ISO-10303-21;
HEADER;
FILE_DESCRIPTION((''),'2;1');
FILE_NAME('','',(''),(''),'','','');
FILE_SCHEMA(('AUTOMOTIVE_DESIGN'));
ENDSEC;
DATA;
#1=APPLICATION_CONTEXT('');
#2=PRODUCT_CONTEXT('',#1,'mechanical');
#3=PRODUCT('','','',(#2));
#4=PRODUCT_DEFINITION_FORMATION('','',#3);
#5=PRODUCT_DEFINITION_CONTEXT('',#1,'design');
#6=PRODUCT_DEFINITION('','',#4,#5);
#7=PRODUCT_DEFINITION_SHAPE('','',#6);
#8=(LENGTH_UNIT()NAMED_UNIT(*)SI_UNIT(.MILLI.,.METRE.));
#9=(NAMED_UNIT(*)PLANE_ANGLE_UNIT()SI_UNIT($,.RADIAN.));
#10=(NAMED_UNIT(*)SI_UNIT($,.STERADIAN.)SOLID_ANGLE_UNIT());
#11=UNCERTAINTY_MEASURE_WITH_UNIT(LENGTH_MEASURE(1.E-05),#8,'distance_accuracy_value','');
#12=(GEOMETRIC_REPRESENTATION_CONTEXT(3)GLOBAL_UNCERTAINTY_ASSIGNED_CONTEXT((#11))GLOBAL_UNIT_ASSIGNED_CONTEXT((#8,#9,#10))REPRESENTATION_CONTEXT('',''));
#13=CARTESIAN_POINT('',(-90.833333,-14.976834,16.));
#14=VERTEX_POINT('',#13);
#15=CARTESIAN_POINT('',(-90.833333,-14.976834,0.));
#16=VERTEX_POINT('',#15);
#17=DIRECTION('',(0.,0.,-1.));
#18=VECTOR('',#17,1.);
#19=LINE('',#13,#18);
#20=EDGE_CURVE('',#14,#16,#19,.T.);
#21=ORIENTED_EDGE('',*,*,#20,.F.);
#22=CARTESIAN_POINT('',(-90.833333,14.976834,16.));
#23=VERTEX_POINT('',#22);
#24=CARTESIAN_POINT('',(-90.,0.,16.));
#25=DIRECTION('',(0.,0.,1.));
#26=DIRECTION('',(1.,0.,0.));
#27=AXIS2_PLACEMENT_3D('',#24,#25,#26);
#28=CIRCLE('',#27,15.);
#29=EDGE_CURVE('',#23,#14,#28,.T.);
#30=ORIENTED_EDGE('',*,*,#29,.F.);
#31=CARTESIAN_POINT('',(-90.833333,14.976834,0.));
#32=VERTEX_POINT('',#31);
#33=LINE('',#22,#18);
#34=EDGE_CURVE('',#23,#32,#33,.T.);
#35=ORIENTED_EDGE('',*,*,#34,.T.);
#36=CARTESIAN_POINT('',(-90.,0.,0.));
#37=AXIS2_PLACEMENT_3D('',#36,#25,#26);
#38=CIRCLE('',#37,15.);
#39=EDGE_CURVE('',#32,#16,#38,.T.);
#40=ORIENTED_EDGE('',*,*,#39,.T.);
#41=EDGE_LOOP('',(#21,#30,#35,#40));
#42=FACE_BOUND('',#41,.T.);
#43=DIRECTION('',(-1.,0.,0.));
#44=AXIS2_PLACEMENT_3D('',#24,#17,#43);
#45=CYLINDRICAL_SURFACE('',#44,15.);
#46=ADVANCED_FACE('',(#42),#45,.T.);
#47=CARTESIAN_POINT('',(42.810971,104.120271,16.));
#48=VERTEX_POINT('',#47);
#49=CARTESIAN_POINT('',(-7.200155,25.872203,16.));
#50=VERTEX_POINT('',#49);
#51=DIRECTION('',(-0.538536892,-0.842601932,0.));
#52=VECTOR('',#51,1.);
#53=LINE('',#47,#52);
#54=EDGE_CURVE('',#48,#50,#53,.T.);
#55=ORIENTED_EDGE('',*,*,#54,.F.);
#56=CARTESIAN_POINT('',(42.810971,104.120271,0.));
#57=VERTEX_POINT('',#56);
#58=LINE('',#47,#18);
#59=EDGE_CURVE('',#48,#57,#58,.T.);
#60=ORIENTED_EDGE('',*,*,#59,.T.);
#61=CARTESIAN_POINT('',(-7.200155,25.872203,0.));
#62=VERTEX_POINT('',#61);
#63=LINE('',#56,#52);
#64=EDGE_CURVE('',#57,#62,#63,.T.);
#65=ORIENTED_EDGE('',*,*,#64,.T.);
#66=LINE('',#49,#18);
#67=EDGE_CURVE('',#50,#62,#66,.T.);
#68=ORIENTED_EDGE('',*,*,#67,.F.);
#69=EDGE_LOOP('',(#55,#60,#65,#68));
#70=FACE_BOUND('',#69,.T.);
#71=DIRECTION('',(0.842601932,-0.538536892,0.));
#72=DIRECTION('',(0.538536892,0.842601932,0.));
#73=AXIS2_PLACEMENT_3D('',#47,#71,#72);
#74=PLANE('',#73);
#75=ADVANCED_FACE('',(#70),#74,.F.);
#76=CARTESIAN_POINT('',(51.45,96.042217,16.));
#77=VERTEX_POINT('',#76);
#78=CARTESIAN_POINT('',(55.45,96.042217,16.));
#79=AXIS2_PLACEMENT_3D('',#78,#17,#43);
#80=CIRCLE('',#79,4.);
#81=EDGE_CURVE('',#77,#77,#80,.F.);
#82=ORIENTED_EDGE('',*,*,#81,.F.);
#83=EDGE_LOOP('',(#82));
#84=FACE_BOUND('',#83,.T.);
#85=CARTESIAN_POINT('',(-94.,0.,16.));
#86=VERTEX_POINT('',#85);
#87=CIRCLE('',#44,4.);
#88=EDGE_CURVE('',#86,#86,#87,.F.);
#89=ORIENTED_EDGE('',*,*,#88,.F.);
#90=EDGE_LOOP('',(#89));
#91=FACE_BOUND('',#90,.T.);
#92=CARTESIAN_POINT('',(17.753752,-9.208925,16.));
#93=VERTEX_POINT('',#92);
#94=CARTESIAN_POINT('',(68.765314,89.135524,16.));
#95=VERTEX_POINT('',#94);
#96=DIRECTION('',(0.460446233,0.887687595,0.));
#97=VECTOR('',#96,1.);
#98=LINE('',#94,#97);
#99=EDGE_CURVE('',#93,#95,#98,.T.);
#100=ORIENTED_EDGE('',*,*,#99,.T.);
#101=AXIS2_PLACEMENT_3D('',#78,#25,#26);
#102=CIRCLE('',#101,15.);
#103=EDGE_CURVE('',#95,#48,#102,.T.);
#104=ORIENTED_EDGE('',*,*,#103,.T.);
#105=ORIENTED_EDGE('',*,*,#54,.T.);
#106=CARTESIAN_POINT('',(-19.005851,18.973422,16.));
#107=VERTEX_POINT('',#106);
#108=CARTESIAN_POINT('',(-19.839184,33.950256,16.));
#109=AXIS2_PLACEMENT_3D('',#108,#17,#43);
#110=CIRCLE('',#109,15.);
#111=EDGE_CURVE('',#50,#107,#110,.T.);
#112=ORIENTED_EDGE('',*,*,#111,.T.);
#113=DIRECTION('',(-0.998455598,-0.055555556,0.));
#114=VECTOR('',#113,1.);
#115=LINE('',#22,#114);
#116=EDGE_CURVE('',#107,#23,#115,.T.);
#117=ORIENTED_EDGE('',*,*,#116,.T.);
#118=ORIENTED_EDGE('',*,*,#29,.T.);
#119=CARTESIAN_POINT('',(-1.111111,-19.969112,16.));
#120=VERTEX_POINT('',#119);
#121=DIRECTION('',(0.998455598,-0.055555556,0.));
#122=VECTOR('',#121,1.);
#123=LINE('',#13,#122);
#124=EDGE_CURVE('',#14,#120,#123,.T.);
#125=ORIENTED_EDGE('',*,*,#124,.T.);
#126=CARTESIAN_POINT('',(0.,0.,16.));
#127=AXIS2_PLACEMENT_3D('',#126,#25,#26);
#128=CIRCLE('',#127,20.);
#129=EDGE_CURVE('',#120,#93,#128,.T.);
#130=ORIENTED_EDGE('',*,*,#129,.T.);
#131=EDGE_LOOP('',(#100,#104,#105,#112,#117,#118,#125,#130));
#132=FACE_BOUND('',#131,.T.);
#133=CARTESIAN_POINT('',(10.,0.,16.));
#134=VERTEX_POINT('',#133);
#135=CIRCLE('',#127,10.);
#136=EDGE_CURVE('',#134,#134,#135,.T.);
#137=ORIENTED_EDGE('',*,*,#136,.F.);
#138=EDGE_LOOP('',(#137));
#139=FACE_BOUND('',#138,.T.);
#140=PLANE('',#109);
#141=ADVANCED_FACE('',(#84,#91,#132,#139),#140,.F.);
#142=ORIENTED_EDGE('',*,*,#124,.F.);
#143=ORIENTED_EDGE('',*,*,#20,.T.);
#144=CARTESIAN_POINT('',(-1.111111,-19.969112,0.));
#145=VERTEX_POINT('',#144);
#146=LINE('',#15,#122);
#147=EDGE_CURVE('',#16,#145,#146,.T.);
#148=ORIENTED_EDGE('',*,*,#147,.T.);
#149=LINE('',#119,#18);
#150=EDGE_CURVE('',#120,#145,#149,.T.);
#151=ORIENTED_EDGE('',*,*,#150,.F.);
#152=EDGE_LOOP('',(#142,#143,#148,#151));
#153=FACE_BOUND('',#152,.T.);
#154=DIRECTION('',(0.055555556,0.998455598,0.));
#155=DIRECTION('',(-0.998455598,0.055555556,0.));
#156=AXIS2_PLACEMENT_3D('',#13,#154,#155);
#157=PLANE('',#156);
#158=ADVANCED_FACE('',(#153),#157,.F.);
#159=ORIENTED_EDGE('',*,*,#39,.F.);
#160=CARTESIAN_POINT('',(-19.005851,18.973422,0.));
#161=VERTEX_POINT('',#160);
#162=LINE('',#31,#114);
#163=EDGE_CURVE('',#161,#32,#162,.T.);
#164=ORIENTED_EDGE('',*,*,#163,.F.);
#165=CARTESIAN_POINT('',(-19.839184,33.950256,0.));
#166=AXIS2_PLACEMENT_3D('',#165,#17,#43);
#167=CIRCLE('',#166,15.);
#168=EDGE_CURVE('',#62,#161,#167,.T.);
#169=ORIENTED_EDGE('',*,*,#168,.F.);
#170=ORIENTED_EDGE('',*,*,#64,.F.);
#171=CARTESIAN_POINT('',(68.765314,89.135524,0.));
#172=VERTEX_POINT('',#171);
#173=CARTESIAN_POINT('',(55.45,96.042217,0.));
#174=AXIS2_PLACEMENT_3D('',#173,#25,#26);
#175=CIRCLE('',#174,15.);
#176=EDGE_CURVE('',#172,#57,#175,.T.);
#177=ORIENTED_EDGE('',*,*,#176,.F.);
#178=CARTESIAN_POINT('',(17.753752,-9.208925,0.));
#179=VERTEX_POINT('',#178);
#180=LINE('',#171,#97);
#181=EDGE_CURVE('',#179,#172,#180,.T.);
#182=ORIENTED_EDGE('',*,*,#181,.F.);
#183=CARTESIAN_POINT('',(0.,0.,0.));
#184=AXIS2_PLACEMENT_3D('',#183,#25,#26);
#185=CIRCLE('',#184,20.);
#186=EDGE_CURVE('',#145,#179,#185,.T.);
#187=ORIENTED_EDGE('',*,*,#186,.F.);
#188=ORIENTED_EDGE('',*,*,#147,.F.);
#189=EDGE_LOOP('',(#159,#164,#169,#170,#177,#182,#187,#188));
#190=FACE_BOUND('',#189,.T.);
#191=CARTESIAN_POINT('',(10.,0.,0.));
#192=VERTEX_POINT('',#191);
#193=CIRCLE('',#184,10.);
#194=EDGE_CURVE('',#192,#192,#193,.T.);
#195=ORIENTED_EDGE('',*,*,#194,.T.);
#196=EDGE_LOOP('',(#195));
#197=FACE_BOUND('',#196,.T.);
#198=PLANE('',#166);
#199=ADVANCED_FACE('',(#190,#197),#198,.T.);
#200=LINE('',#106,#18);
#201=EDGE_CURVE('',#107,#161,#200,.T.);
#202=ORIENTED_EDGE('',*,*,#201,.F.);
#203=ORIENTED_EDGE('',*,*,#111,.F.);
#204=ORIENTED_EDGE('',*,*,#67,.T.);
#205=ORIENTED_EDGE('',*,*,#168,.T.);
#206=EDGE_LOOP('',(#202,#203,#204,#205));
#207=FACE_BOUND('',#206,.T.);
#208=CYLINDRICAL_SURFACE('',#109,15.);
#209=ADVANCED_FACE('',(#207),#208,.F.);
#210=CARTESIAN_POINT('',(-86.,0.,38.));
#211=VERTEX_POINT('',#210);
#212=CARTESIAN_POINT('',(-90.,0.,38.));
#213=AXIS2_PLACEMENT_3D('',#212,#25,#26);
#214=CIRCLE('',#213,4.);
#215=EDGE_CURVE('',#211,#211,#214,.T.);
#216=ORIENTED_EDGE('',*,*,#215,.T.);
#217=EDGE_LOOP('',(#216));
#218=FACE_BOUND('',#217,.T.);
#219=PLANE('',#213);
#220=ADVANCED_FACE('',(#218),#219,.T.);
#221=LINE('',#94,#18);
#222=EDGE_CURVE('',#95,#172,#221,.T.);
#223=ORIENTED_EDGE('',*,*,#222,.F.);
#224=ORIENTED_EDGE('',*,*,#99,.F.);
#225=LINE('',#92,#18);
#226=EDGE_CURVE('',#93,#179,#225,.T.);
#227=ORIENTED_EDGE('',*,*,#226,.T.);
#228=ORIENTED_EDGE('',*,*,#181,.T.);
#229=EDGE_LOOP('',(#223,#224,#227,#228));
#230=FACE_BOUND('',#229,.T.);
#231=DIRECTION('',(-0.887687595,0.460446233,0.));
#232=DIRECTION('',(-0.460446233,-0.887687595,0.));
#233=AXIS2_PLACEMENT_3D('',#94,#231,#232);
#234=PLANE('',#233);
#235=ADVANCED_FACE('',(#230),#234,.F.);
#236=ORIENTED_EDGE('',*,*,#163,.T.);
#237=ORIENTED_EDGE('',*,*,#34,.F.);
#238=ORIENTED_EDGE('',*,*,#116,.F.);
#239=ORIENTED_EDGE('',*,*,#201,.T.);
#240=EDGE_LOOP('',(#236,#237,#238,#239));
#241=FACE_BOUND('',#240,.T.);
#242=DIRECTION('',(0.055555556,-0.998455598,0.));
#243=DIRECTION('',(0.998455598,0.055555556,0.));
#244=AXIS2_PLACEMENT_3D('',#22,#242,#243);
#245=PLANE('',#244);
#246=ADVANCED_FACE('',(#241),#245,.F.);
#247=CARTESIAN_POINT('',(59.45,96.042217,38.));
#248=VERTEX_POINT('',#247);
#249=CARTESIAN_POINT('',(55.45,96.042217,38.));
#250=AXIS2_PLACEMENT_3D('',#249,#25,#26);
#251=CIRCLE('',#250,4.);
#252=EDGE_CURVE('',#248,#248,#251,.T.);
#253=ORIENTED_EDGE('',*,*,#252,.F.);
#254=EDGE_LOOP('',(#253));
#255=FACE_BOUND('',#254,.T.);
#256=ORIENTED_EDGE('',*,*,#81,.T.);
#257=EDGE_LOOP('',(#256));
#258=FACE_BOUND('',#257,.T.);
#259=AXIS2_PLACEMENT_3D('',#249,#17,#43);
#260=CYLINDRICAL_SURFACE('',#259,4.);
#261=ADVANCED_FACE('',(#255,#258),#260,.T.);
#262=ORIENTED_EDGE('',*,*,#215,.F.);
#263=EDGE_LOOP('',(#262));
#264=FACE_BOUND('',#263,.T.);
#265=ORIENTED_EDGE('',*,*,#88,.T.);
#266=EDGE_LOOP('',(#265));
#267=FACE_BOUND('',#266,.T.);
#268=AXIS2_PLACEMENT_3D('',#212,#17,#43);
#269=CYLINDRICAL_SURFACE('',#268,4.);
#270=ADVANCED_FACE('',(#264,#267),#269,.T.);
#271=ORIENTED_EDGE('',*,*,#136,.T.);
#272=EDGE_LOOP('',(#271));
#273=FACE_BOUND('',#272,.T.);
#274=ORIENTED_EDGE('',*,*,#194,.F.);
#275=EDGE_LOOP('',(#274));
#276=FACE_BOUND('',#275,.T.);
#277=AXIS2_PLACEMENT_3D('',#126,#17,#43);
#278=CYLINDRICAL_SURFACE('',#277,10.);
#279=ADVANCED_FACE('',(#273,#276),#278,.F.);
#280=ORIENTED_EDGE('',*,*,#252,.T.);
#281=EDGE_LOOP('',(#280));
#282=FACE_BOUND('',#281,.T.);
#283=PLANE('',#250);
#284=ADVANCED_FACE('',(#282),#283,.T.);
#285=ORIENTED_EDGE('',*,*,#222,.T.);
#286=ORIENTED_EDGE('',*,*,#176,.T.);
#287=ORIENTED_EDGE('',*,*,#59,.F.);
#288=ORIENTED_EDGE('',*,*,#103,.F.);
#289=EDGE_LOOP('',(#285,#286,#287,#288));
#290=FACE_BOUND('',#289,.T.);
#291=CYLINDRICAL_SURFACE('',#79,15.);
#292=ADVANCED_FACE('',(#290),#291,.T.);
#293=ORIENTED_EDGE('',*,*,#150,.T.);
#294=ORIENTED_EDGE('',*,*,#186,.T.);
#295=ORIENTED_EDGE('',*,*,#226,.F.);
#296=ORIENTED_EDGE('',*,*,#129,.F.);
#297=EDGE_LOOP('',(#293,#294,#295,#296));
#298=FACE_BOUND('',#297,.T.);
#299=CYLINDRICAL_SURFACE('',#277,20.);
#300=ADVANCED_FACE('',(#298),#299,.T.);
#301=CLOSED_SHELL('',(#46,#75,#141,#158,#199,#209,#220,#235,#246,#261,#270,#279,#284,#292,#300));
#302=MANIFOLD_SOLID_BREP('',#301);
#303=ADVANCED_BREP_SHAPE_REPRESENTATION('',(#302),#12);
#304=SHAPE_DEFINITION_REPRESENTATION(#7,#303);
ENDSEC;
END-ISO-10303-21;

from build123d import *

# Parameters (mm, degrees)
EXTRUDE_1_DEPTH     = 16
SKETCH_2_R          = 4
EXTRUDE_2_DEPTH     = 22
SKETCH_3_R          = 10
CUT_EXTRUDE_1_DEPTH = 16


with BuildPart() as part:
    # 草图1 → 凸台-拉伸1 (new body)
    with BuildSketch(Plane.XY):
        with BuildLine():
            Line((68.765313927, 89.135523785), (17.753751903, -9.208924659))
            ThreePointArc((17.753751903, -9.208924659), (9.909075677, -17.372686011), (-1.111111111, -19.969111951))
            Line((-1.111111111, -19.969111951), (-90.833333333, -14.976833963))
            ThreePointArc((-90.833333333, -14.976833963), (-105, 0), (-90.833333333, 14.976833963))
            Line((-90.833333333, 14.976833963), (-19.005850553, 18.973422013))
            ThreePointArc((-19.005850553, 18.973422013), (-12.271196702, 20.999365274), (-7.200154901, 25.872202603))
            Line((-7.200154901, 25.872202603), (42.810971014, 104.120270653))
            ThreePointArc((42.810971014, 104.120270653), (62.95, 109.032598336), (68.765313927, 89.135523785))
        make_face()
    extrude(amount=EXTRUDE_1_DEPTH)

    # 草图2 → 凸台-拉伸2 (add)
    with BuildSketch(Plane.XY.offset(16)):
        with Locations(Location((-90, 0, 0), (0, 0, 180))):
            Circle(SKETCH_2_R)
        with Locations(Location((55.45, 96.04221728, 0), (0, 0, 180))):
            Circle(SKETCH_2_R)
    extrude(amount=EXTRUDE_2_DEPTH)

    # 草图3 → 切除-拉伸1 (cut)
    with BuildSketch(Plane.XY):
        Circle(SKETCH_3_R)
    extrude(amount=CUT_EXTRUDE_1_DEPTH, mode=Mode.SUBTRACT)


solid = part.part
